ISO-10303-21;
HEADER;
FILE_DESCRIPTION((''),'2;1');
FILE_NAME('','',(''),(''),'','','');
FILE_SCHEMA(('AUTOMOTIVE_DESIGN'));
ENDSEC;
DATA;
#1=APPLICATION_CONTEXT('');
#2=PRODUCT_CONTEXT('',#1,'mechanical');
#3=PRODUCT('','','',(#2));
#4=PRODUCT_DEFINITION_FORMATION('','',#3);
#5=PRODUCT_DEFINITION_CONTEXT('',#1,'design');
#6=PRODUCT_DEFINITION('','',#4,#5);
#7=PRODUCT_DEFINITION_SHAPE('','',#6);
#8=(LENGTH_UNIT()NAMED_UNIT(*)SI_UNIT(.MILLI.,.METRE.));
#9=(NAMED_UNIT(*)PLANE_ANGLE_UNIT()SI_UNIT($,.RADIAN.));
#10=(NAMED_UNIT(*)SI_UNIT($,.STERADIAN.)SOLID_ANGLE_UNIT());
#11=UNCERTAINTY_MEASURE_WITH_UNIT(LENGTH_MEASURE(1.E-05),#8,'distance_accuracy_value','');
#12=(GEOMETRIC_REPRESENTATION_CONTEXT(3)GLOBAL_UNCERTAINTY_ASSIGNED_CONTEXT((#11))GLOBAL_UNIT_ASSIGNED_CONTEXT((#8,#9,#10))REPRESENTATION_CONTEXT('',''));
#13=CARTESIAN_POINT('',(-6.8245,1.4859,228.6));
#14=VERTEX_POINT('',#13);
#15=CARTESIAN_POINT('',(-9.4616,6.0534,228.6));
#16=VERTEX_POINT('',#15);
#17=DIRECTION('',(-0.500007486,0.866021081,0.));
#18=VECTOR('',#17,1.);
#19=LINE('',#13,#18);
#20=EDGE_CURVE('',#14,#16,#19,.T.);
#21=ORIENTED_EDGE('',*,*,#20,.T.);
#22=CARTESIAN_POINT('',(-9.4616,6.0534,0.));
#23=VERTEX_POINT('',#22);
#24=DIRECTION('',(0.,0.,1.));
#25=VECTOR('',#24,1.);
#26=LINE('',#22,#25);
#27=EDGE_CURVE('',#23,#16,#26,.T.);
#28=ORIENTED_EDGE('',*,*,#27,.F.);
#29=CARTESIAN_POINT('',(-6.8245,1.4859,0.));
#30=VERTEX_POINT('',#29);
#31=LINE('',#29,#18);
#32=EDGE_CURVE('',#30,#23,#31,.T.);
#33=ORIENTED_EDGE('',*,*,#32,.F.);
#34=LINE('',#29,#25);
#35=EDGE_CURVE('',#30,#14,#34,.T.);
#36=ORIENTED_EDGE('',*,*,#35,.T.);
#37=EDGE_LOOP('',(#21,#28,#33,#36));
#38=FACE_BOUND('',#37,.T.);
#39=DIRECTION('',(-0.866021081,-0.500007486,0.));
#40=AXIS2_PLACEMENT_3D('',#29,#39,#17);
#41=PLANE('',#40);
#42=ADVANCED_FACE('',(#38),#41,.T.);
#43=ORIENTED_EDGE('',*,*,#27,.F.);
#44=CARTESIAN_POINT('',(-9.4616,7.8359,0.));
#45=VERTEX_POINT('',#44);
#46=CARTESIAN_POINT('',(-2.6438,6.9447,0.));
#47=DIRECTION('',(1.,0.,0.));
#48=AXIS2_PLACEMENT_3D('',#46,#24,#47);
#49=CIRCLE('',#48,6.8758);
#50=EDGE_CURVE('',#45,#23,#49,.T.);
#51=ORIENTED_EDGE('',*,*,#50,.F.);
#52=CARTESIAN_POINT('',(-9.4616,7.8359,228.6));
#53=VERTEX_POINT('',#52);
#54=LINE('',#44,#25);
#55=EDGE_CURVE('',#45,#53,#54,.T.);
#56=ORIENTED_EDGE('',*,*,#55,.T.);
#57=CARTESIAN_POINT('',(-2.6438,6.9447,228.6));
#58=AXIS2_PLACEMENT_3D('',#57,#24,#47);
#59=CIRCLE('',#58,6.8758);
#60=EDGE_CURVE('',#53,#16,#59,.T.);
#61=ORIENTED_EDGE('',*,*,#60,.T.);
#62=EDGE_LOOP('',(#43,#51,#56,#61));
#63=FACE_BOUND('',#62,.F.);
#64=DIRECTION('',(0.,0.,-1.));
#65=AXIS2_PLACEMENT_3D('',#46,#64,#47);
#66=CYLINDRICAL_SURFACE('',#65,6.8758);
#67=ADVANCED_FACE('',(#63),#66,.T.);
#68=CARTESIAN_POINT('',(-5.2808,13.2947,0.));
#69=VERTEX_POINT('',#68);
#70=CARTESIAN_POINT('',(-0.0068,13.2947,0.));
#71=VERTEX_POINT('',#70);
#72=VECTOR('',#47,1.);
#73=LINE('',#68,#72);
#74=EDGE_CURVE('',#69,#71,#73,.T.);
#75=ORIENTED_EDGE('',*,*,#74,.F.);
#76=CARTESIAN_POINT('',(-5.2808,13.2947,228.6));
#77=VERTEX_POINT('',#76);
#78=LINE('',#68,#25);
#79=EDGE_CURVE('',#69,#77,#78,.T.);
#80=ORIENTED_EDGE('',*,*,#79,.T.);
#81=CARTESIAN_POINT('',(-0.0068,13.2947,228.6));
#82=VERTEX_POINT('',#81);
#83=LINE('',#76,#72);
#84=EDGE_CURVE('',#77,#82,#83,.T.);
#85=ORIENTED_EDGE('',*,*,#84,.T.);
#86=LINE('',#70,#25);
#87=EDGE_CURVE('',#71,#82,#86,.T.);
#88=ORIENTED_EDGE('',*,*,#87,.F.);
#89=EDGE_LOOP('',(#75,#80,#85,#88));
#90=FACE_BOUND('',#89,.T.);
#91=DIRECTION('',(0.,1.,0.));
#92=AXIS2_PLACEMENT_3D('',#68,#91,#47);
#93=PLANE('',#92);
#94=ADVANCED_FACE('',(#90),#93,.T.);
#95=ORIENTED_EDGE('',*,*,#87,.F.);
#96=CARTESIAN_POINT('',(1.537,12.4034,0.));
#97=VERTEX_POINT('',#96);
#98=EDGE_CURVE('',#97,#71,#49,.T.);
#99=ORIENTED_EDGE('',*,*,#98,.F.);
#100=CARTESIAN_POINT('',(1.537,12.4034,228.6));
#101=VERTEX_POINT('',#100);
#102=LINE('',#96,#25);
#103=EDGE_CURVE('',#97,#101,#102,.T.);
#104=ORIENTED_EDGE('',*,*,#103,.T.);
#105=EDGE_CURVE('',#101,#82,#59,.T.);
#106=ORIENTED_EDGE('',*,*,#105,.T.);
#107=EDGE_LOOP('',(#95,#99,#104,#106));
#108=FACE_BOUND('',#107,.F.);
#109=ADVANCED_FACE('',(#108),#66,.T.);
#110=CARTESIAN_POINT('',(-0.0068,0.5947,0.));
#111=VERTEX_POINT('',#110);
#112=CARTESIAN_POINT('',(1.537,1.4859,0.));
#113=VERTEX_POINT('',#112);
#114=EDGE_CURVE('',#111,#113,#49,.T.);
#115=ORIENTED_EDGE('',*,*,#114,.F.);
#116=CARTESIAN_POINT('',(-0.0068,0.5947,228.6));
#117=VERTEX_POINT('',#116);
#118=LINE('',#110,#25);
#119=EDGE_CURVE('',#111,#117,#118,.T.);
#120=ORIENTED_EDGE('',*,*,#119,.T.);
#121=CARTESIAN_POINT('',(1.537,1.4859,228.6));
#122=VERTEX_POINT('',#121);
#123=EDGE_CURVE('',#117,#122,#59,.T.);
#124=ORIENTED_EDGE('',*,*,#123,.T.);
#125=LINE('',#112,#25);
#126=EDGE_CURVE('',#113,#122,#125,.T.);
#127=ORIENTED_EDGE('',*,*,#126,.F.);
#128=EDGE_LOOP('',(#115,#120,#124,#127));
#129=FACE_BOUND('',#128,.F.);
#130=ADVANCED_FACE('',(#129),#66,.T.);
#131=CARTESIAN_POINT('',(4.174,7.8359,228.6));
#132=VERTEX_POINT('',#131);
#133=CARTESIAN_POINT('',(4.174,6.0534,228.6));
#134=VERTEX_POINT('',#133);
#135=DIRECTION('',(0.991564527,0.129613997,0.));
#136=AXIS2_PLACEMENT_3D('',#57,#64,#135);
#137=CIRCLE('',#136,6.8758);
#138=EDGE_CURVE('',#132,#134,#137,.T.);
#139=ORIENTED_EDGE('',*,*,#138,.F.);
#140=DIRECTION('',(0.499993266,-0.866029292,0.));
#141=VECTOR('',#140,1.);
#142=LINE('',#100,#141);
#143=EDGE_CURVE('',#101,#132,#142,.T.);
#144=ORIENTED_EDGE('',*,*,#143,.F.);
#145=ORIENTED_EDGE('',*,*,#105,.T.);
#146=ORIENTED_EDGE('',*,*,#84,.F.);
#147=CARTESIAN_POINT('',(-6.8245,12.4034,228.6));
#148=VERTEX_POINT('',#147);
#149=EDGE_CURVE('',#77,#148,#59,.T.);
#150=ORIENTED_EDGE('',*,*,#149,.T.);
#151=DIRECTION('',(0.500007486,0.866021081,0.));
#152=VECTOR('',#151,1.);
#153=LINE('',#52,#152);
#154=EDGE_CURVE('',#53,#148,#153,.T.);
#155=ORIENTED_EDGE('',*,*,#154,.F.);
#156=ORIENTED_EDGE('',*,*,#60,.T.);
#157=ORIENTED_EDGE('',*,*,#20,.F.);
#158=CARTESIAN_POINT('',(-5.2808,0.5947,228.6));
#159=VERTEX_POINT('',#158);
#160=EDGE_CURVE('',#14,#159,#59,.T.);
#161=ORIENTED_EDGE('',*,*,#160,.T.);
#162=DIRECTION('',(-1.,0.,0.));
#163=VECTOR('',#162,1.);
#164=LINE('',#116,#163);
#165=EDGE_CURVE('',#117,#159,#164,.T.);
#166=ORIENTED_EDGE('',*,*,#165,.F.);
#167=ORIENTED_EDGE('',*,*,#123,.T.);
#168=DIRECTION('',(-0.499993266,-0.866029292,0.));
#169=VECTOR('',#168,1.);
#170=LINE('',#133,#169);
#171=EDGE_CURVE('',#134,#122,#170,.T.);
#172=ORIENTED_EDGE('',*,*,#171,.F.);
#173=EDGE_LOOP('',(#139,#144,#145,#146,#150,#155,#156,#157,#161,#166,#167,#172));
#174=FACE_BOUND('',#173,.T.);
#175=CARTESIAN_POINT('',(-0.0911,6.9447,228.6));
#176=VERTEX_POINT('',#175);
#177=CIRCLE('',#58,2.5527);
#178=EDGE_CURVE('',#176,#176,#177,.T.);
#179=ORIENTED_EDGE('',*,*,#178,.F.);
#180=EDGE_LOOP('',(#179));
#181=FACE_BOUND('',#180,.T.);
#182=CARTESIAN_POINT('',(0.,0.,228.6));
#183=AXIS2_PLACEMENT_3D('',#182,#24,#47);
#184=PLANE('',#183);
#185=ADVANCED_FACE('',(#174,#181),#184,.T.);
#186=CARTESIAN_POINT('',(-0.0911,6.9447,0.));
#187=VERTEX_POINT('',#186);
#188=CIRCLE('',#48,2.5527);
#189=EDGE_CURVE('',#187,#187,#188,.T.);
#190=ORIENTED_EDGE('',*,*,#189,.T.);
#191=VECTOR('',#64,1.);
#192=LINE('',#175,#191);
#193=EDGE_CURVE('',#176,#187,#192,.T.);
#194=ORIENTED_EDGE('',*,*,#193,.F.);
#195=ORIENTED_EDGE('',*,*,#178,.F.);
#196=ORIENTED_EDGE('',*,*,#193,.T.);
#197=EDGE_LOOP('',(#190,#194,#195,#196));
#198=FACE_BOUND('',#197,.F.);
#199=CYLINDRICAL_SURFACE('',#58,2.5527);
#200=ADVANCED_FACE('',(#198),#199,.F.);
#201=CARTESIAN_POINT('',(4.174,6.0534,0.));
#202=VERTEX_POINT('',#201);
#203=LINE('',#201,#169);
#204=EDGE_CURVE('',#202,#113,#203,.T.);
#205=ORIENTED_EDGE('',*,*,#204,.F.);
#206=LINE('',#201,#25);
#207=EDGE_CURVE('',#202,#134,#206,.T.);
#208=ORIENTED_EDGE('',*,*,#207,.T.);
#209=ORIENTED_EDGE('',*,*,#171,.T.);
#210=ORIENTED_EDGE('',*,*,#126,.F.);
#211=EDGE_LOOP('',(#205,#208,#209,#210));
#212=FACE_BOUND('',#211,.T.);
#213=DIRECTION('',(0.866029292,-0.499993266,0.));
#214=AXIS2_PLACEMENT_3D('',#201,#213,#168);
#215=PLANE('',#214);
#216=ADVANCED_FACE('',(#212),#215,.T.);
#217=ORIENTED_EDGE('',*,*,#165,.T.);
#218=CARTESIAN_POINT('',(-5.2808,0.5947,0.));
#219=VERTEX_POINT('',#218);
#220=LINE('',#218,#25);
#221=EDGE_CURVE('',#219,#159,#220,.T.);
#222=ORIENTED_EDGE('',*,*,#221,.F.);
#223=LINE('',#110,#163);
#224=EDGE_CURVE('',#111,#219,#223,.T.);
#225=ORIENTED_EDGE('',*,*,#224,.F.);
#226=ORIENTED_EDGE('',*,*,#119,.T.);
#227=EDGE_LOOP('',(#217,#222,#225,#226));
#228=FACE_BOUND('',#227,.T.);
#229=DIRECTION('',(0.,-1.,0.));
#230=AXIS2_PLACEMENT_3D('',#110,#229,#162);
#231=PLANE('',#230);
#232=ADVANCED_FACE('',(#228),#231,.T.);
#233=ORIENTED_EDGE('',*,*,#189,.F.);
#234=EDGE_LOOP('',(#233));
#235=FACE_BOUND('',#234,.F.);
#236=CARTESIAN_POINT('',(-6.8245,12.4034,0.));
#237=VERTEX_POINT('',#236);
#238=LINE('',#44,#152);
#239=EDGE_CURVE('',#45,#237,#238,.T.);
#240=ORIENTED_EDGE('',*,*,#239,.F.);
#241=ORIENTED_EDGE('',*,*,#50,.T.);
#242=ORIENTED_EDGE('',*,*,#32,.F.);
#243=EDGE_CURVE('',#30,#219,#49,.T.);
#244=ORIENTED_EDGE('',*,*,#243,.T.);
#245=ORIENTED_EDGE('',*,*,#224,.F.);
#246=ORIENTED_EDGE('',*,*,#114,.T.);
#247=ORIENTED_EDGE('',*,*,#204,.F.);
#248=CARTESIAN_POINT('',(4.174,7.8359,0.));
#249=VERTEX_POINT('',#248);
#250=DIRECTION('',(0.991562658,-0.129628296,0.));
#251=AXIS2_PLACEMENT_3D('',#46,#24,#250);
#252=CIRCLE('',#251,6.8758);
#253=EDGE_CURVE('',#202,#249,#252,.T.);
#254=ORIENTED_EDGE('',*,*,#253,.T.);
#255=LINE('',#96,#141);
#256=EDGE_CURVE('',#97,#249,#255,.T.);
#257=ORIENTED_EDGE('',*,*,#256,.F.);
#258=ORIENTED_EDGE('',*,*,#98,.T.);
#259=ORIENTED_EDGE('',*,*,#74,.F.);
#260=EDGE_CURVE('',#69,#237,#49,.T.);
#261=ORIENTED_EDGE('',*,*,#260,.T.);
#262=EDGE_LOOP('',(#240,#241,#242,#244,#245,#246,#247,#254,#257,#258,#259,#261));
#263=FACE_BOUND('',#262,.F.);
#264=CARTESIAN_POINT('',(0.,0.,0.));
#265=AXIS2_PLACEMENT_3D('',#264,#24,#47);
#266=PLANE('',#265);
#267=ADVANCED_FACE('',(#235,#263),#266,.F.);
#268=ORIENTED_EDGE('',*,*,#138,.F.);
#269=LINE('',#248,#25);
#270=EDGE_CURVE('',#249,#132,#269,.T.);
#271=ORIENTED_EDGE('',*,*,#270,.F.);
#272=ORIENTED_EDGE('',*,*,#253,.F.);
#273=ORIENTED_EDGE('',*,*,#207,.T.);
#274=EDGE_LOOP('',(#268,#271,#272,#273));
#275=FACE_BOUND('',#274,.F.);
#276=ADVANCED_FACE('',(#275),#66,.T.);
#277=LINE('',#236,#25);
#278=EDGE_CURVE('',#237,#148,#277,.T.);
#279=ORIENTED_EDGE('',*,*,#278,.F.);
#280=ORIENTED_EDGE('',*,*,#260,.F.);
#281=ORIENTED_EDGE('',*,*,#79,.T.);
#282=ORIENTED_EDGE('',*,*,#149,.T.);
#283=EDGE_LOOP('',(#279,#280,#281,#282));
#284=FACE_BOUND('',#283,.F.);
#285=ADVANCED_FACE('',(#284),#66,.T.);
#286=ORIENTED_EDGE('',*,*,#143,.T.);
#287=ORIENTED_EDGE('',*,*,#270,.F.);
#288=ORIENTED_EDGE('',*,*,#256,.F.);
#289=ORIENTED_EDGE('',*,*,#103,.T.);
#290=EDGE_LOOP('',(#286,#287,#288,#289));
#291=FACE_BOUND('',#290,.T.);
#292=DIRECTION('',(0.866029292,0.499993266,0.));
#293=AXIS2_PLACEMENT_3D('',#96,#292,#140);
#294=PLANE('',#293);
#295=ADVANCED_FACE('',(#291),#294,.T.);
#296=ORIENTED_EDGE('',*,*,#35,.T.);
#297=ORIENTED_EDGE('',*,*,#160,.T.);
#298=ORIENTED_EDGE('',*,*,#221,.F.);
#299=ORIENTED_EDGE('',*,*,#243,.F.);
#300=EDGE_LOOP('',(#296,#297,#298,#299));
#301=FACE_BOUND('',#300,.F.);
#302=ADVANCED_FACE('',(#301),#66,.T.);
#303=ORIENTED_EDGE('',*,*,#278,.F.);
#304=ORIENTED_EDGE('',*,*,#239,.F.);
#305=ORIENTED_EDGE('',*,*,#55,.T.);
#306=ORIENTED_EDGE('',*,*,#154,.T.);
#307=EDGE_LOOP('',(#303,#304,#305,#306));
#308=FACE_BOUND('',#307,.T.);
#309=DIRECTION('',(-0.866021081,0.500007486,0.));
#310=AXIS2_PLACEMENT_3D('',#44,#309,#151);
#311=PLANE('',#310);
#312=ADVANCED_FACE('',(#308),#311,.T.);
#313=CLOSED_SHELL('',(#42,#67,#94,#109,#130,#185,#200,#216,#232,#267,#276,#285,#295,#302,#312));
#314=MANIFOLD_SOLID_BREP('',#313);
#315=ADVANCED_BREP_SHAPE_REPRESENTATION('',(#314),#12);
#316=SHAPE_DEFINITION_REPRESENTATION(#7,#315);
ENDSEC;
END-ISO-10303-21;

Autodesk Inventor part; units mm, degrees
ref_plane "YZ Plane" through (0, 0, 0) normal (1, 0, 0) x (0, 1, 0)
ref_plane "XZ Plane" through (0, 0, 0) normal (0, 1, 0) x (-1, 0, 0)
ref_plane "XY Plane" through (0, 0, 0) normal (0, 0, 1) x (1, 0, 0)
sketch "Sketch1" plane through (0, 0, 0) normal (0, 0, 1) x (1, 0, 0)
  circle A0 centre (-2.6438, 6.9447) radius 6.8758
  line L0 (-9.4616, 7.8359) -> (-6.8245, 12.4034)
  line L1 (-6.8245, 1.4859) -> (-9.4616, 6.0534)
  line L2 (-0.0068, 0.5947) -> (-5.2808, 0.5947)
  line L3 (4.174, 6.0534) -> (1.537, 1.4859)
  line L4 (1.537, 12.4034) -> (4.174, 7.8359)
  line L5 (-5.2808, 13.2947) -> (-0.0068, 13.2947)
  point P0 (0, 0)
  point P1 (1.537, 1.4859)
  dimension "d0" = 13.7516
  dimension "d4" = 360
extrude "Extrusion1" add sketch "Sketch1" along normal blind 228.6 contours A0 L3 L2 L1 L0 L5 L4
sketch "Sketch2" plane through (0, 0, 228.6) normal (0, 0, 1) x (1, 0, 0)
  circle A0 centre (-2.6438, 6.9447) radius 2.5527
  line L0 (-5.2808, 0.5947) -> (-0.0068, 0.5947) projected
  line L1 (-2.6438, 6.9447) -> (-5.2808, 0.5947) construction
  line L2 (-2.6438, 6.9447) -> (-0.0068, 0.5947) construction
  point P0 (0, 0)
  dimension "d8" = 5.1054
  dimension "d9" = 6.35
extrude "Extrusion2" cut sketch "Sketch2" against normal blind 228.6
equation "\"d6\" = d5"
equation "\"d10\" = d5"
equation "\"d5\" = 228.6"
properties part number "Thundershaft-7"
